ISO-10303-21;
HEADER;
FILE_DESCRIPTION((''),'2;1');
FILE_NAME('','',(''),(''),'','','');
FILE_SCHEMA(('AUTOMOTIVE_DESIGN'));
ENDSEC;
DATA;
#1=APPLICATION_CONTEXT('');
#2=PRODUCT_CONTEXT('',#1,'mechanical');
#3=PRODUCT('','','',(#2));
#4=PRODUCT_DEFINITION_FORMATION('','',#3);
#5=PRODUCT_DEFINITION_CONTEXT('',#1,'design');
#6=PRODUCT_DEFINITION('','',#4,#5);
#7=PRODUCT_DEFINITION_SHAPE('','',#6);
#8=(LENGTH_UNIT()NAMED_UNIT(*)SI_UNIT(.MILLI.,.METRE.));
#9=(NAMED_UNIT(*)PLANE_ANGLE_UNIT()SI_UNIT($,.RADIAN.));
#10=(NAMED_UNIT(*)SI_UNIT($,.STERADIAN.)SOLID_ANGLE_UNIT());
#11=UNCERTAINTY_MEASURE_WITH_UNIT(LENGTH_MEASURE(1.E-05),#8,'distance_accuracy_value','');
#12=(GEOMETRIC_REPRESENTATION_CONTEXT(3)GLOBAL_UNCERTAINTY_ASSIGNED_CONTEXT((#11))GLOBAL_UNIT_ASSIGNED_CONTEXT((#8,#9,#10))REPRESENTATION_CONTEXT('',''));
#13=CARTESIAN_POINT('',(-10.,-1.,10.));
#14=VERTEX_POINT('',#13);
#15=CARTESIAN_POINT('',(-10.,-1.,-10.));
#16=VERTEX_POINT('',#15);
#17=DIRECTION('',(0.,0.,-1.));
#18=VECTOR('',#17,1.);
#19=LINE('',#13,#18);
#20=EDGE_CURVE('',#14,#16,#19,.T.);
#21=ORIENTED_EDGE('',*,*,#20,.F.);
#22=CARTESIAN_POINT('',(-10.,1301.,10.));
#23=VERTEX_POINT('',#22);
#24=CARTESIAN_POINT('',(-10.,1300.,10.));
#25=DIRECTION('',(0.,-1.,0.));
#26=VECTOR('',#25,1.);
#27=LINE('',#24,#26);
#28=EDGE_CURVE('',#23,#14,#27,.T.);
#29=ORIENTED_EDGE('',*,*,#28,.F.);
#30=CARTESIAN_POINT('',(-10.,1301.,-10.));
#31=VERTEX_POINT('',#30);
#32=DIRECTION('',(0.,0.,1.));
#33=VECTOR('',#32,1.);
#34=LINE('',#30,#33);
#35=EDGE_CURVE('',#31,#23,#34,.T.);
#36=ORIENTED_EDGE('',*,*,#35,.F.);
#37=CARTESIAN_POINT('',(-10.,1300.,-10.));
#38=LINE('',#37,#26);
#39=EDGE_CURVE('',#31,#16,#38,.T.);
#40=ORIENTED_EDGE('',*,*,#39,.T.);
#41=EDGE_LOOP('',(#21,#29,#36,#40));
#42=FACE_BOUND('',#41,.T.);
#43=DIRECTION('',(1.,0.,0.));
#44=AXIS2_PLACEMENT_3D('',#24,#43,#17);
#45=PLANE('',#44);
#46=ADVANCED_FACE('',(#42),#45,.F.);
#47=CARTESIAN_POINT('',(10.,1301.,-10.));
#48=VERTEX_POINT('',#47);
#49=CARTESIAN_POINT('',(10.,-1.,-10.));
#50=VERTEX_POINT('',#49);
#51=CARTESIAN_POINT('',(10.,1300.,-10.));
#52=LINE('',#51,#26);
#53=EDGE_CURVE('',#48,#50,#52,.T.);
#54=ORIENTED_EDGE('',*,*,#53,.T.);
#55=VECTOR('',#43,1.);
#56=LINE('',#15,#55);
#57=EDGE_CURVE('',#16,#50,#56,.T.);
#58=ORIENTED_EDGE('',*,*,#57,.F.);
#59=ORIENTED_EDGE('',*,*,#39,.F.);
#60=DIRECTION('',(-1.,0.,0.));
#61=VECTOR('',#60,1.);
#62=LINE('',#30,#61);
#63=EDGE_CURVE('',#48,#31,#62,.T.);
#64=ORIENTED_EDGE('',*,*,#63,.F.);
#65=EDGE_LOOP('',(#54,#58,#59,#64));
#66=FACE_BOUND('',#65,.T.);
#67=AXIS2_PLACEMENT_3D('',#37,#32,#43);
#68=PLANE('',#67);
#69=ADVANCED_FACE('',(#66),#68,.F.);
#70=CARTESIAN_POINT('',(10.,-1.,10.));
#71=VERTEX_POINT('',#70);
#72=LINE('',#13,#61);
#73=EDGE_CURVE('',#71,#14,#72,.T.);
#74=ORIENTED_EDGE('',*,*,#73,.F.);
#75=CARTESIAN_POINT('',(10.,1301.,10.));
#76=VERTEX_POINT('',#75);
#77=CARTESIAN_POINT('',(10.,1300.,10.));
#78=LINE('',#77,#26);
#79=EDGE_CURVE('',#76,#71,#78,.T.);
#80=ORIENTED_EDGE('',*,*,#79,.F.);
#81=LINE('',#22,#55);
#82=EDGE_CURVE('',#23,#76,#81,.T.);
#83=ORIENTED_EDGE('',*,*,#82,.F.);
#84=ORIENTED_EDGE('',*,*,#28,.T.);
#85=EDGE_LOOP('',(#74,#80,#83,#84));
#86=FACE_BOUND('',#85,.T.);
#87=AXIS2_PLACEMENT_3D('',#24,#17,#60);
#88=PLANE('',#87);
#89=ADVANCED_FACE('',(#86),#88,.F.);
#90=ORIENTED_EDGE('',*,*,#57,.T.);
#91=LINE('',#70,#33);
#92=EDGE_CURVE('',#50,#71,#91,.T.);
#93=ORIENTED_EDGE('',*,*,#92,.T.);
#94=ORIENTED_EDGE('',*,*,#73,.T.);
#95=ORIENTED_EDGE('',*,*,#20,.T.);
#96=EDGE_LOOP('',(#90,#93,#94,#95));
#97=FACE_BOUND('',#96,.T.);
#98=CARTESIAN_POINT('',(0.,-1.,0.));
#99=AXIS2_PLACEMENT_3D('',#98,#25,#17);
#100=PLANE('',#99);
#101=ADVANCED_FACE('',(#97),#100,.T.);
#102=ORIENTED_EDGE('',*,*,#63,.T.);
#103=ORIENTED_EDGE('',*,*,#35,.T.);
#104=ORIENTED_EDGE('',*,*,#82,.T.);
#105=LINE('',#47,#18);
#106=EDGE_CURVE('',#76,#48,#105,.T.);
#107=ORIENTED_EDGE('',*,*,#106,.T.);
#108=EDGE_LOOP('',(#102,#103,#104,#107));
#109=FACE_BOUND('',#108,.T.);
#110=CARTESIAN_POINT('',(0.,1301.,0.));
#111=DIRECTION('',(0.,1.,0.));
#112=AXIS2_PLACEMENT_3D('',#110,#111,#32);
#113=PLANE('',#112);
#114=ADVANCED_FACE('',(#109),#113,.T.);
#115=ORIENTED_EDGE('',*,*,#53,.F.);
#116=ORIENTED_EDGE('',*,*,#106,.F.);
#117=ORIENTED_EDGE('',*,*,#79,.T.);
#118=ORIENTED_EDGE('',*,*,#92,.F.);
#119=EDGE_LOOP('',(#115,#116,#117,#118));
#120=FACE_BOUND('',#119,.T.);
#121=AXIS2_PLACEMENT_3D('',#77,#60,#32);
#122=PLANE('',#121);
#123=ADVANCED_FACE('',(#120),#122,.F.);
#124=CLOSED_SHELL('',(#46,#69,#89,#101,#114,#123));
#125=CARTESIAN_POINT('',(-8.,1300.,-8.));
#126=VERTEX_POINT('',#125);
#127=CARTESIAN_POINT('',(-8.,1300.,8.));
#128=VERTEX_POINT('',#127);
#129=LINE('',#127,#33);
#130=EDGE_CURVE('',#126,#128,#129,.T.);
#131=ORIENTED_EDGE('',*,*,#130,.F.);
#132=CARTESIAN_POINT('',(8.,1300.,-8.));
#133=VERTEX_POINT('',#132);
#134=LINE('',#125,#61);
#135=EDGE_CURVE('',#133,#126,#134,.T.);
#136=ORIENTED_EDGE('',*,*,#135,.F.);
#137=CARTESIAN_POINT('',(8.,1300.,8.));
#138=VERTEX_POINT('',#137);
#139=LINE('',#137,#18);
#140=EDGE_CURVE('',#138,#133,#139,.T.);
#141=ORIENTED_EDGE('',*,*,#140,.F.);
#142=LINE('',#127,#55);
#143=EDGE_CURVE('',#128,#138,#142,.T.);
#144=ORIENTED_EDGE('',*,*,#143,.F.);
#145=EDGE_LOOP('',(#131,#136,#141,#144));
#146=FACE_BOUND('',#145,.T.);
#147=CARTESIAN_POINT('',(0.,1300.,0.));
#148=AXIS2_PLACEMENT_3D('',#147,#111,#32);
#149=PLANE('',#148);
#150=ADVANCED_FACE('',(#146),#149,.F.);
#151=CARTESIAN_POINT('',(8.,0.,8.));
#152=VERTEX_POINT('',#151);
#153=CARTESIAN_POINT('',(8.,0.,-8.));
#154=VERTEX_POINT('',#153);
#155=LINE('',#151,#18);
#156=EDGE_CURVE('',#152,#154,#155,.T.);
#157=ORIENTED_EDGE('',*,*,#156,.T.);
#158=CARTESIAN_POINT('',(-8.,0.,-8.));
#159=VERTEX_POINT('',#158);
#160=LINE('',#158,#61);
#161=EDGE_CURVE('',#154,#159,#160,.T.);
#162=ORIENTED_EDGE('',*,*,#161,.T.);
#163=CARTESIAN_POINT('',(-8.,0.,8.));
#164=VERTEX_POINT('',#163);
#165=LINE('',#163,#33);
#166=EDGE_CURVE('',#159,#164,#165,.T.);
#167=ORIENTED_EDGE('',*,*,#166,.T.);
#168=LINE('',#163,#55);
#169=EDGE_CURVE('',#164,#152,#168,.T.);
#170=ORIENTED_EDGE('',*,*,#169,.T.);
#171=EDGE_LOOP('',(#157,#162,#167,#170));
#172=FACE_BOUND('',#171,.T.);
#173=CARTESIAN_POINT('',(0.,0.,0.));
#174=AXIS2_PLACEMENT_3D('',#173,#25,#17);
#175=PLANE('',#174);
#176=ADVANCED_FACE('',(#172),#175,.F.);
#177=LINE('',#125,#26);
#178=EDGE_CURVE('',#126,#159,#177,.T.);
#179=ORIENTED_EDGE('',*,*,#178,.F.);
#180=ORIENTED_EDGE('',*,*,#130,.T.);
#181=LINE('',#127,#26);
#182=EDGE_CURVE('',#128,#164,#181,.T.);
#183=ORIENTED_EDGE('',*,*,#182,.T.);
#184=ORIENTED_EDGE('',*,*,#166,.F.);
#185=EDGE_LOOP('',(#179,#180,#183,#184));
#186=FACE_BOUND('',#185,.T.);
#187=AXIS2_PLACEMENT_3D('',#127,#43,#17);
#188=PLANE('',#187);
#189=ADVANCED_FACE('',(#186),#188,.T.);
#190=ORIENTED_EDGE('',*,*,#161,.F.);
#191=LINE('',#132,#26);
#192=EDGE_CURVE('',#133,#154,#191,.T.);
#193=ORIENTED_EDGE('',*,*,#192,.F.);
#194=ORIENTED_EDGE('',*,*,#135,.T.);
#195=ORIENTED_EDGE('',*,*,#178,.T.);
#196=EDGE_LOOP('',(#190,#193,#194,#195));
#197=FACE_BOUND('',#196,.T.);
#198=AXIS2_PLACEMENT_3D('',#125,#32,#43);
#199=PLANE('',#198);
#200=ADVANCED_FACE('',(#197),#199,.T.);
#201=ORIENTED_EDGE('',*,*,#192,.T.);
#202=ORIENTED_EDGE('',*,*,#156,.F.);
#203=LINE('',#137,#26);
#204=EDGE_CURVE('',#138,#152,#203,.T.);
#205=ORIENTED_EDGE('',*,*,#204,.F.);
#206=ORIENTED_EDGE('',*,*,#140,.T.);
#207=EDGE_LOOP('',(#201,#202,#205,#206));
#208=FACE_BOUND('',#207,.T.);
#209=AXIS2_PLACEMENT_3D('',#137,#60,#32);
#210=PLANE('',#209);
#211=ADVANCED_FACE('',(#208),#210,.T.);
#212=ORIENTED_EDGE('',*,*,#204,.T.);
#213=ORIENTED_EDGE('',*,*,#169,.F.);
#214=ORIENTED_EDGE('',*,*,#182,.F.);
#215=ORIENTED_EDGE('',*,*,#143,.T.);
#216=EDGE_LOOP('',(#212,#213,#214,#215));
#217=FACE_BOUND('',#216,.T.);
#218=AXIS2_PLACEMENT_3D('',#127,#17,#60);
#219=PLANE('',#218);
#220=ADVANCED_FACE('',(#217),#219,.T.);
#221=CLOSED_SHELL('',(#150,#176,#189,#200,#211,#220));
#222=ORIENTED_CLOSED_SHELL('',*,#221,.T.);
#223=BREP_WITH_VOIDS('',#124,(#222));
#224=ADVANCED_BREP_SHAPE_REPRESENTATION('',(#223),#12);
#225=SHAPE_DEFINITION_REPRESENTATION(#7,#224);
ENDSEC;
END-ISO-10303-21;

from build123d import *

# Parameters (mm, degrees)
SKETCH1_W           = 20
SKETCH1_H           = 20
SKETCH1_W_2         = 16
SKETCH1_H_2         = 16
BOSS_EXTRUDE1_DEPTH = 1300
SKETCH2_W           = 20
SKETCH2_H           = 20
BOSS_EXTRUDE2_DEPTH = 1
SKETCH3_W           = 20
SKETCH3_H           = 20
BOSS_EXTRUDE3_DEPTH = 1


with BuildPart() as part:
    # Sketch1 → Boss-Extrude1 (new body)
    with BuildSketch(Plane(origin=(0, 0, 0), x_dir=(1, 0, 0), z_dir=(0, 1, 0))):
        Rectangle(SKETCH1_W, SKETCH1_H)
        Rectangle(SKETCH1_W_2, SKETCH1_H_2, mode=Mode.SUBTRACT)
    extrude(amount=BOSS_EXTRUDE1_DEPTH)

    # Sketch2 → Boss-Extrude2 (add)
    with BuildSketch(Plane(origin=(0, 1300, 0), x_dir=(1, 0, 0), z_dir=(0, 1, 0))):
        Rectangle(SKETCH2_W, SKETCH2_H)
    extrude(amount=BOSS_EXTRUDE2_DEPTH)

    # Sketch3 → Boss-Extrude3 (add)
    with BuildSketch(Plane.XZ):
        Rectangle(SKETCH3_W, SKETCH3_H)
    extrude(amount=BOSS_EXTRUDE3_DEPTH)


solid = part.part
